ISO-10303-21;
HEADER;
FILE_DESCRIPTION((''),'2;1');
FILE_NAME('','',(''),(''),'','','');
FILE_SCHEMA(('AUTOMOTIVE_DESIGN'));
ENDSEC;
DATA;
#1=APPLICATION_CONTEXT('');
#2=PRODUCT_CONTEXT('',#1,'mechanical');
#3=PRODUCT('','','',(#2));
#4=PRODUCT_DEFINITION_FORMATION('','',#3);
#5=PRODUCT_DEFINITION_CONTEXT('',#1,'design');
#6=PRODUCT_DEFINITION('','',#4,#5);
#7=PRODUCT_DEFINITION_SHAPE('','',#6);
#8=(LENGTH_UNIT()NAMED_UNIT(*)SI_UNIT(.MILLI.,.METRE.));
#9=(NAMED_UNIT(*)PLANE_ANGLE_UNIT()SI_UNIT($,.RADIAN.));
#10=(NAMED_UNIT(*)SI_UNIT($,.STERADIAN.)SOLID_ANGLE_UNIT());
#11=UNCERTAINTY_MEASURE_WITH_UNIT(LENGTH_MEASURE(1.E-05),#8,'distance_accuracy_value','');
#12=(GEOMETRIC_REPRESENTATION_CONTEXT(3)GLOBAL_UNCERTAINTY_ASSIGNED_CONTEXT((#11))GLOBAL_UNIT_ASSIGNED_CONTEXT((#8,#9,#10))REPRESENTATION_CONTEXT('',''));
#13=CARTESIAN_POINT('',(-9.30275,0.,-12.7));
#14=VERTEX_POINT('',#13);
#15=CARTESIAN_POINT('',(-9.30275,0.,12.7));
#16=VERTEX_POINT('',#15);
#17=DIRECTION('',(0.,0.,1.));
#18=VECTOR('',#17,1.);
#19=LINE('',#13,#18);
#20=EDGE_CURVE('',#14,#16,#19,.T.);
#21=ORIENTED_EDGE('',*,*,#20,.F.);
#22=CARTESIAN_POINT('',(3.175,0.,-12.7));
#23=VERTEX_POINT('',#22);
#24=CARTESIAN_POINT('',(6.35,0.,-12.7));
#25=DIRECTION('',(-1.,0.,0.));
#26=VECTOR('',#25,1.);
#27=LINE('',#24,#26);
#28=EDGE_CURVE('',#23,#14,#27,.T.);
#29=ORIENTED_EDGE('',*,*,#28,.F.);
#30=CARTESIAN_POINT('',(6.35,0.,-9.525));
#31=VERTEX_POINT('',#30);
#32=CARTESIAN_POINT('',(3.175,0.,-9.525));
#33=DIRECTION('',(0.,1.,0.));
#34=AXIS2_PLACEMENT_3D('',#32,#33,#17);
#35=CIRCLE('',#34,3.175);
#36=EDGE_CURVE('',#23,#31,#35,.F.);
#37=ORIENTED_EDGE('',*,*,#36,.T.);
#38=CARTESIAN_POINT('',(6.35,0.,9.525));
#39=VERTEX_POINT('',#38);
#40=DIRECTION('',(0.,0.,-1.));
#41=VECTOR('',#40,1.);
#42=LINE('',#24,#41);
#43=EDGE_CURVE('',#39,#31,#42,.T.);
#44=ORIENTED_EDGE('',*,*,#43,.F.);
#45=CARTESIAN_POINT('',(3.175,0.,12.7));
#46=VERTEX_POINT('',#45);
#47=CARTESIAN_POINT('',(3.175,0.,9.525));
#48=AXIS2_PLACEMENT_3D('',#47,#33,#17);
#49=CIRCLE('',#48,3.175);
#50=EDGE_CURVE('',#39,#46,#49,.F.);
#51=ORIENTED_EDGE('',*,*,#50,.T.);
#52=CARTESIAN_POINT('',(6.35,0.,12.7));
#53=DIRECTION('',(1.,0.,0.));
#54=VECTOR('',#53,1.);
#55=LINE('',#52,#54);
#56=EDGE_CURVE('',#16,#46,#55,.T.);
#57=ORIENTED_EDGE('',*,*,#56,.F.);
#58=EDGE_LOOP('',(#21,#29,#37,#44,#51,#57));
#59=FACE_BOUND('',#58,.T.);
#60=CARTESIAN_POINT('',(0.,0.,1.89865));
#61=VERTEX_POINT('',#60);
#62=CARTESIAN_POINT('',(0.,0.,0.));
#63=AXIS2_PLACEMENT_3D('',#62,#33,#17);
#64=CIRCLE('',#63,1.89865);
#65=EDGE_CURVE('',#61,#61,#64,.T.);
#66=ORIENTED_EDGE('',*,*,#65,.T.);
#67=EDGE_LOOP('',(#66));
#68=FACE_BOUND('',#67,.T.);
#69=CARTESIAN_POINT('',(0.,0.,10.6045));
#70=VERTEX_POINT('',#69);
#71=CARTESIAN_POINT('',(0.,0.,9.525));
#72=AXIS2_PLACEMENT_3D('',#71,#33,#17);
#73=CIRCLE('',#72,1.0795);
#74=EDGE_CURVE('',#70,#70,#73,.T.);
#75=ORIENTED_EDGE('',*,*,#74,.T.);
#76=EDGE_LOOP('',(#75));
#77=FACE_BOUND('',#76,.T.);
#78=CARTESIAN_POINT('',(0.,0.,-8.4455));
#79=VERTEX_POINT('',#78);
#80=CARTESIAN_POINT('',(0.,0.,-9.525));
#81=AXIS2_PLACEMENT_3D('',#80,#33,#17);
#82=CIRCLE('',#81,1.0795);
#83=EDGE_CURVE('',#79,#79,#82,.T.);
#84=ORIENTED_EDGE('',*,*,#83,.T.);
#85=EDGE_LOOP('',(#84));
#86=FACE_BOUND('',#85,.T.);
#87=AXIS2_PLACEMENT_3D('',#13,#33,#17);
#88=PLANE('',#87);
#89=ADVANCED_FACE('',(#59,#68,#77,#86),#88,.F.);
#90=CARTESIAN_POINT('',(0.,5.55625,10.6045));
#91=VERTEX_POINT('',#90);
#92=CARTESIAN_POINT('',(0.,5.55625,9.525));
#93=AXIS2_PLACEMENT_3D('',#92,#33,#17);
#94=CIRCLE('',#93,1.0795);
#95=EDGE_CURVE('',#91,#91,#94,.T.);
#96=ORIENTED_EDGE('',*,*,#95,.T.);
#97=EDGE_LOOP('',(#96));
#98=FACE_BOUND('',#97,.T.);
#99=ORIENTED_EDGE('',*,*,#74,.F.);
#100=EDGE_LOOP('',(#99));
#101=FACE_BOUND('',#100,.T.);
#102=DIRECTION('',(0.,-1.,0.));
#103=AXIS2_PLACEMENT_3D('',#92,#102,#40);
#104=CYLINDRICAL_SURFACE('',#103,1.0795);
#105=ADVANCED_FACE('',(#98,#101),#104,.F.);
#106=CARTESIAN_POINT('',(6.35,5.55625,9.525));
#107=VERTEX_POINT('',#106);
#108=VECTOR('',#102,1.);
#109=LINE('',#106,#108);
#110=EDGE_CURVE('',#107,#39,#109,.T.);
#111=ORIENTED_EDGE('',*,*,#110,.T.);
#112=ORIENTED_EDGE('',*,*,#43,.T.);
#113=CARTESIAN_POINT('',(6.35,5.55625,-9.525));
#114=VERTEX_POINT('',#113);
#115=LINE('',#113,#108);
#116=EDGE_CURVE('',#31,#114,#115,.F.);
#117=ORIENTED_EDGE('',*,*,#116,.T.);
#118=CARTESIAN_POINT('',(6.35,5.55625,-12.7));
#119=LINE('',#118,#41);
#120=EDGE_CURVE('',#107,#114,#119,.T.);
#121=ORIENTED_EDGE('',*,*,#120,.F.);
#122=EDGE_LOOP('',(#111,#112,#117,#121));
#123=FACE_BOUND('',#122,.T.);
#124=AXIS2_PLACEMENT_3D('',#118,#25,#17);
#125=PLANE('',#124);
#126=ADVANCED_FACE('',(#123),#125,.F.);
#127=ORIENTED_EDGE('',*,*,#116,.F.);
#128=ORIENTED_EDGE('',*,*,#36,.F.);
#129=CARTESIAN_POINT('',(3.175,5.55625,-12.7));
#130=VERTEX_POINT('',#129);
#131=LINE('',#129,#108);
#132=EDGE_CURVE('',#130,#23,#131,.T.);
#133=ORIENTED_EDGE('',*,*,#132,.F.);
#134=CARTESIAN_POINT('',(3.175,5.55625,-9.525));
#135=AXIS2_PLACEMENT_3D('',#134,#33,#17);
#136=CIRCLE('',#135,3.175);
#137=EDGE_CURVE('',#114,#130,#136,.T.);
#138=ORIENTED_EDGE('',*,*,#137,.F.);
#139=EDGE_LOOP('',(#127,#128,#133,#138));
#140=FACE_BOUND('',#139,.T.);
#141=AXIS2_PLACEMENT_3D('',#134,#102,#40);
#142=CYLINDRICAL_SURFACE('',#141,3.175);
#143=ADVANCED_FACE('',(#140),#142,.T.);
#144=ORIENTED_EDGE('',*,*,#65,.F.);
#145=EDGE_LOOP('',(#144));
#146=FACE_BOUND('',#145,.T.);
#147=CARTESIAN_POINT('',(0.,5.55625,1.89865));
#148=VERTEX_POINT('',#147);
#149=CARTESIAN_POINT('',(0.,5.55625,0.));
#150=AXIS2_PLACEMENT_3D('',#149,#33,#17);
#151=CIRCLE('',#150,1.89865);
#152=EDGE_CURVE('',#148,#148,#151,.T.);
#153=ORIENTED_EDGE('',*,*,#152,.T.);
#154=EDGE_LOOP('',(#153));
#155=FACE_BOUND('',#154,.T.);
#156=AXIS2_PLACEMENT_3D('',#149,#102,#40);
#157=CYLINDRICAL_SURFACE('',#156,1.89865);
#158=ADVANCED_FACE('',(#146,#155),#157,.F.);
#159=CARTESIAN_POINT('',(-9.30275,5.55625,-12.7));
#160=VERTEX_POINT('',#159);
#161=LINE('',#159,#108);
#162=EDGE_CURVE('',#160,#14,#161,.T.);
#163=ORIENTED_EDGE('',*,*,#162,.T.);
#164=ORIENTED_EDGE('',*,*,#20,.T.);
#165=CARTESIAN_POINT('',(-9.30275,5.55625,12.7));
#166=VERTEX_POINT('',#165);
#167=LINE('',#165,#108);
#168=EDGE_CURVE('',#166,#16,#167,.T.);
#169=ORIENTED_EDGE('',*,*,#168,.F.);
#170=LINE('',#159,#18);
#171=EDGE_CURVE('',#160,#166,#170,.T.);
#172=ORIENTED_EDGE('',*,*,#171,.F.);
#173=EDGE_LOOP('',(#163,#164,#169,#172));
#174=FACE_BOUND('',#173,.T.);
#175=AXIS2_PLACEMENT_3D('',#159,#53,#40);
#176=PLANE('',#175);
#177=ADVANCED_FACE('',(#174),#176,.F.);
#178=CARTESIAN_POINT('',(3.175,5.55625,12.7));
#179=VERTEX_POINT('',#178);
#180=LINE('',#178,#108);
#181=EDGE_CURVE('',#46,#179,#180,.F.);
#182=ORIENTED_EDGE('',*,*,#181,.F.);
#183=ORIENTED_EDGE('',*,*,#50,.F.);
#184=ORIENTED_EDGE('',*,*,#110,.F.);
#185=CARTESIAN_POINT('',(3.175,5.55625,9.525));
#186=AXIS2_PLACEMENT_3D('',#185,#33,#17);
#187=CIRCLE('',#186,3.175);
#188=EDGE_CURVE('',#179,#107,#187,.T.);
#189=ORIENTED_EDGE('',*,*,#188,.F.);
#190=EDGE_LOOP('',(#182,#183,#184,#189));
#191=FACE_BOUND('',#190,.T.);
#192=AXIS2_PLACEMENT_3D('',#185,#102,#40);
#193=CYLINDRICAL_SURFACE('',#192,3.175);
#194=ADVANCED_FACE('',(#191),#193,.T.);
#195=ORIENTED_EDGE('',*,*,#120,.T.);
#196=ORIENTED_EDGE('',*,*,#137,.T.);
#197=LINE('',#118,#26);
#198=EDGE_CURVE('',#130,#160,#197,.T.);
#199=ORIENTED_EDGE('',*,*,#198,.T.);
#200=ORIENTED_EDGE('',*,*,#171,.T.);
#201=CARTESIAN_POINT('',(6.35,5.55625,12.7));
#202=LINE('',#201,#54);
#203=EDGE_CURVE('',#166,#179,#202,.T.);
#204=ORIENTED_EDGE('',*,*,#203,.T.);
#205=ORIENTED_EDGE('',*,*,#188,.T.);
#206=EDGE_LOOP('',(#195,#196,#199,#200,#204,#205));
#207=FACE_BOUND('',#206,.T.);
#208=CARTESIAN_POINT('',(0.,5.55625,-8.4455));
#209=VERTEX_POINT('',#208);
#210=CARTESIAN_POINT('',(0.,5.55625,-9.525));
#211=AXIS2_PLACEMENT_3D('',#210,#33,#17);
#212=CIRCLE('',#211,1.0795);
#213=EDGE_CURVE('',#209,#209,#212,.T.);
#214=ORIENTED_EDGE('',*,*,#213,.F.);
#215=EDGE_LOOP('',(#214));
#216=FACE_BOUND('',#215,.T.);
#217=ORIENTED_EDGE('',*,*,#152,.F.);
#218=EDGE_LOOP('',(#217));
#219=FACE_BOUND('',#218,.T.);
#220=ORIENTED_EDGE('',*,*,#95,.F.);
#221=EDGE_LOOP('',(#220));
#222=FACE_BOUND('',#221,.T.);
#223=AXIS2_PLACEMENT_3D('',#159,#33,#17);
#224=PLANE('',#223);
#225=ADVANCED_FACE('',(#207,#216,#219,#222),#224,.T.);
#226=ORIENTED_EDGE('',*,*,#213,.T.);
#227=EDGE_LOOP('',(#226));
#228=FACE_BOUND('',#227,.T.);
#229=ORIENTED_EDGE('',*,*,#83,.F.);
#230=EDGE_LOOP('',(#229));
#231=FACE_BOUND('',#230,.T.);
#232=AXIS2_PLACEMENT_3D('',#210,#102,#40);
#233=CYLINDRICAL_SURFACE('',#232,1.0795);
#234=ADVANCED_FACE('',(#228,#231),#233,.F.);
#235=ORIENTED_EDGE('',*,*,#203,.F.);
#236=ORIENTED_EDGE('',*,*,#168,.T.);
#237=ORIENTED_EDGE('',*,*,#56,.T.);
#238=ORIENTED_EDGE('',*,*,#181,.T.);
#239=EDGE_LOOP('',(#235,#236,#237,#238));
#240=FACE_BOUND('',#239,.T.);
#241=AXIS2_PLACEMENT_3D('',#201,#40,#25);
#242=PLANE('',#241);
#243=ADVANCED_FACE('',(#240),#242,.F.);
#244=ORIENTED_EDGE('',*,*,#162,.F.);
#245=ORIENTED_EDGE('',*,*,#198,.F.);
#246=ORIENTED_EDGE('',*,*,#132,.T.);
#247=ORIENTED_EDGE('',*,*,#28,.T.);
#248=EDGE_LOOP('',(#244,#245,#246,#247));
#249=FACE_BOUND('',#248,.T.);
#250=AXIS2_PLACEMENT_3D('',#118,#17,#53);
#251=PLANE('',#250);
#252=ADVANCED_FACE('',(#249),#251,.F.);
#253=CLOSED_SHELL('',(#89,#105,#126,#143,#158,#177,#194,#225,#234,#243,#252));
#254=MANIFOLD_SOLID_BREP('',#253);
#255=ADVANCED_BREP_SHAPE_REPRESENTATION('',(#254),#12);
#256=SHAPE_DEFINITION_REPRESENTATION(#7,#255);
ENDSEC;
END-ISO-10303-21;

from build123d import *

# Parameters (mm, degrees)
SKETCH1_W      = 15.65275
SKETCH1_H      = 25.4
SKETCH1_R      = 1.89865
SKETCH1_R_2    = 1.0795
EXTRUDE1_DEPTH = 5.55625
FILLET1_R      = 3.175


with BuildPart() as part:
    # Sketch1 → Extrude1 (new body)
    with BuildSketch(Plane(origin=(0, 0, 0), x_dir=(1, 0, 0), z_dir=(0, 1, 0))):
        with Locations((-1.476375, 0)):
            Rectangle(SKETCH1_W, SKETCH1_H)
        with Locations(Location((0, 0, 0), (0, 0, 270))):
            Circle(SKETCH1_R, mode=Mode.SUBTRACT)
        with Locations(Location((0, 9.525, 0), (0, 0, 270))):
            Circle(SKETCH1_R_2, mode=Mode.SUBTRACT)
        with Locations(Location((0, -9.525, 0), (0, 0, 270))):
            Circle(SKETCH1_R_2, mode=Mode.SUBTRACT)
    extrude(amount=EXTRUDE1_DEPTH)

    # Fillet1
    fillet1_edges = [part.edges().sort_by_distance(p)[0] for p in [
        (6.35, 2.778125, -12.7),
        (6.35, 2.778125, 12.7),
    ]]
    fillet(fillet1_edges, radius=FILLET1_R)


solid = part.part
